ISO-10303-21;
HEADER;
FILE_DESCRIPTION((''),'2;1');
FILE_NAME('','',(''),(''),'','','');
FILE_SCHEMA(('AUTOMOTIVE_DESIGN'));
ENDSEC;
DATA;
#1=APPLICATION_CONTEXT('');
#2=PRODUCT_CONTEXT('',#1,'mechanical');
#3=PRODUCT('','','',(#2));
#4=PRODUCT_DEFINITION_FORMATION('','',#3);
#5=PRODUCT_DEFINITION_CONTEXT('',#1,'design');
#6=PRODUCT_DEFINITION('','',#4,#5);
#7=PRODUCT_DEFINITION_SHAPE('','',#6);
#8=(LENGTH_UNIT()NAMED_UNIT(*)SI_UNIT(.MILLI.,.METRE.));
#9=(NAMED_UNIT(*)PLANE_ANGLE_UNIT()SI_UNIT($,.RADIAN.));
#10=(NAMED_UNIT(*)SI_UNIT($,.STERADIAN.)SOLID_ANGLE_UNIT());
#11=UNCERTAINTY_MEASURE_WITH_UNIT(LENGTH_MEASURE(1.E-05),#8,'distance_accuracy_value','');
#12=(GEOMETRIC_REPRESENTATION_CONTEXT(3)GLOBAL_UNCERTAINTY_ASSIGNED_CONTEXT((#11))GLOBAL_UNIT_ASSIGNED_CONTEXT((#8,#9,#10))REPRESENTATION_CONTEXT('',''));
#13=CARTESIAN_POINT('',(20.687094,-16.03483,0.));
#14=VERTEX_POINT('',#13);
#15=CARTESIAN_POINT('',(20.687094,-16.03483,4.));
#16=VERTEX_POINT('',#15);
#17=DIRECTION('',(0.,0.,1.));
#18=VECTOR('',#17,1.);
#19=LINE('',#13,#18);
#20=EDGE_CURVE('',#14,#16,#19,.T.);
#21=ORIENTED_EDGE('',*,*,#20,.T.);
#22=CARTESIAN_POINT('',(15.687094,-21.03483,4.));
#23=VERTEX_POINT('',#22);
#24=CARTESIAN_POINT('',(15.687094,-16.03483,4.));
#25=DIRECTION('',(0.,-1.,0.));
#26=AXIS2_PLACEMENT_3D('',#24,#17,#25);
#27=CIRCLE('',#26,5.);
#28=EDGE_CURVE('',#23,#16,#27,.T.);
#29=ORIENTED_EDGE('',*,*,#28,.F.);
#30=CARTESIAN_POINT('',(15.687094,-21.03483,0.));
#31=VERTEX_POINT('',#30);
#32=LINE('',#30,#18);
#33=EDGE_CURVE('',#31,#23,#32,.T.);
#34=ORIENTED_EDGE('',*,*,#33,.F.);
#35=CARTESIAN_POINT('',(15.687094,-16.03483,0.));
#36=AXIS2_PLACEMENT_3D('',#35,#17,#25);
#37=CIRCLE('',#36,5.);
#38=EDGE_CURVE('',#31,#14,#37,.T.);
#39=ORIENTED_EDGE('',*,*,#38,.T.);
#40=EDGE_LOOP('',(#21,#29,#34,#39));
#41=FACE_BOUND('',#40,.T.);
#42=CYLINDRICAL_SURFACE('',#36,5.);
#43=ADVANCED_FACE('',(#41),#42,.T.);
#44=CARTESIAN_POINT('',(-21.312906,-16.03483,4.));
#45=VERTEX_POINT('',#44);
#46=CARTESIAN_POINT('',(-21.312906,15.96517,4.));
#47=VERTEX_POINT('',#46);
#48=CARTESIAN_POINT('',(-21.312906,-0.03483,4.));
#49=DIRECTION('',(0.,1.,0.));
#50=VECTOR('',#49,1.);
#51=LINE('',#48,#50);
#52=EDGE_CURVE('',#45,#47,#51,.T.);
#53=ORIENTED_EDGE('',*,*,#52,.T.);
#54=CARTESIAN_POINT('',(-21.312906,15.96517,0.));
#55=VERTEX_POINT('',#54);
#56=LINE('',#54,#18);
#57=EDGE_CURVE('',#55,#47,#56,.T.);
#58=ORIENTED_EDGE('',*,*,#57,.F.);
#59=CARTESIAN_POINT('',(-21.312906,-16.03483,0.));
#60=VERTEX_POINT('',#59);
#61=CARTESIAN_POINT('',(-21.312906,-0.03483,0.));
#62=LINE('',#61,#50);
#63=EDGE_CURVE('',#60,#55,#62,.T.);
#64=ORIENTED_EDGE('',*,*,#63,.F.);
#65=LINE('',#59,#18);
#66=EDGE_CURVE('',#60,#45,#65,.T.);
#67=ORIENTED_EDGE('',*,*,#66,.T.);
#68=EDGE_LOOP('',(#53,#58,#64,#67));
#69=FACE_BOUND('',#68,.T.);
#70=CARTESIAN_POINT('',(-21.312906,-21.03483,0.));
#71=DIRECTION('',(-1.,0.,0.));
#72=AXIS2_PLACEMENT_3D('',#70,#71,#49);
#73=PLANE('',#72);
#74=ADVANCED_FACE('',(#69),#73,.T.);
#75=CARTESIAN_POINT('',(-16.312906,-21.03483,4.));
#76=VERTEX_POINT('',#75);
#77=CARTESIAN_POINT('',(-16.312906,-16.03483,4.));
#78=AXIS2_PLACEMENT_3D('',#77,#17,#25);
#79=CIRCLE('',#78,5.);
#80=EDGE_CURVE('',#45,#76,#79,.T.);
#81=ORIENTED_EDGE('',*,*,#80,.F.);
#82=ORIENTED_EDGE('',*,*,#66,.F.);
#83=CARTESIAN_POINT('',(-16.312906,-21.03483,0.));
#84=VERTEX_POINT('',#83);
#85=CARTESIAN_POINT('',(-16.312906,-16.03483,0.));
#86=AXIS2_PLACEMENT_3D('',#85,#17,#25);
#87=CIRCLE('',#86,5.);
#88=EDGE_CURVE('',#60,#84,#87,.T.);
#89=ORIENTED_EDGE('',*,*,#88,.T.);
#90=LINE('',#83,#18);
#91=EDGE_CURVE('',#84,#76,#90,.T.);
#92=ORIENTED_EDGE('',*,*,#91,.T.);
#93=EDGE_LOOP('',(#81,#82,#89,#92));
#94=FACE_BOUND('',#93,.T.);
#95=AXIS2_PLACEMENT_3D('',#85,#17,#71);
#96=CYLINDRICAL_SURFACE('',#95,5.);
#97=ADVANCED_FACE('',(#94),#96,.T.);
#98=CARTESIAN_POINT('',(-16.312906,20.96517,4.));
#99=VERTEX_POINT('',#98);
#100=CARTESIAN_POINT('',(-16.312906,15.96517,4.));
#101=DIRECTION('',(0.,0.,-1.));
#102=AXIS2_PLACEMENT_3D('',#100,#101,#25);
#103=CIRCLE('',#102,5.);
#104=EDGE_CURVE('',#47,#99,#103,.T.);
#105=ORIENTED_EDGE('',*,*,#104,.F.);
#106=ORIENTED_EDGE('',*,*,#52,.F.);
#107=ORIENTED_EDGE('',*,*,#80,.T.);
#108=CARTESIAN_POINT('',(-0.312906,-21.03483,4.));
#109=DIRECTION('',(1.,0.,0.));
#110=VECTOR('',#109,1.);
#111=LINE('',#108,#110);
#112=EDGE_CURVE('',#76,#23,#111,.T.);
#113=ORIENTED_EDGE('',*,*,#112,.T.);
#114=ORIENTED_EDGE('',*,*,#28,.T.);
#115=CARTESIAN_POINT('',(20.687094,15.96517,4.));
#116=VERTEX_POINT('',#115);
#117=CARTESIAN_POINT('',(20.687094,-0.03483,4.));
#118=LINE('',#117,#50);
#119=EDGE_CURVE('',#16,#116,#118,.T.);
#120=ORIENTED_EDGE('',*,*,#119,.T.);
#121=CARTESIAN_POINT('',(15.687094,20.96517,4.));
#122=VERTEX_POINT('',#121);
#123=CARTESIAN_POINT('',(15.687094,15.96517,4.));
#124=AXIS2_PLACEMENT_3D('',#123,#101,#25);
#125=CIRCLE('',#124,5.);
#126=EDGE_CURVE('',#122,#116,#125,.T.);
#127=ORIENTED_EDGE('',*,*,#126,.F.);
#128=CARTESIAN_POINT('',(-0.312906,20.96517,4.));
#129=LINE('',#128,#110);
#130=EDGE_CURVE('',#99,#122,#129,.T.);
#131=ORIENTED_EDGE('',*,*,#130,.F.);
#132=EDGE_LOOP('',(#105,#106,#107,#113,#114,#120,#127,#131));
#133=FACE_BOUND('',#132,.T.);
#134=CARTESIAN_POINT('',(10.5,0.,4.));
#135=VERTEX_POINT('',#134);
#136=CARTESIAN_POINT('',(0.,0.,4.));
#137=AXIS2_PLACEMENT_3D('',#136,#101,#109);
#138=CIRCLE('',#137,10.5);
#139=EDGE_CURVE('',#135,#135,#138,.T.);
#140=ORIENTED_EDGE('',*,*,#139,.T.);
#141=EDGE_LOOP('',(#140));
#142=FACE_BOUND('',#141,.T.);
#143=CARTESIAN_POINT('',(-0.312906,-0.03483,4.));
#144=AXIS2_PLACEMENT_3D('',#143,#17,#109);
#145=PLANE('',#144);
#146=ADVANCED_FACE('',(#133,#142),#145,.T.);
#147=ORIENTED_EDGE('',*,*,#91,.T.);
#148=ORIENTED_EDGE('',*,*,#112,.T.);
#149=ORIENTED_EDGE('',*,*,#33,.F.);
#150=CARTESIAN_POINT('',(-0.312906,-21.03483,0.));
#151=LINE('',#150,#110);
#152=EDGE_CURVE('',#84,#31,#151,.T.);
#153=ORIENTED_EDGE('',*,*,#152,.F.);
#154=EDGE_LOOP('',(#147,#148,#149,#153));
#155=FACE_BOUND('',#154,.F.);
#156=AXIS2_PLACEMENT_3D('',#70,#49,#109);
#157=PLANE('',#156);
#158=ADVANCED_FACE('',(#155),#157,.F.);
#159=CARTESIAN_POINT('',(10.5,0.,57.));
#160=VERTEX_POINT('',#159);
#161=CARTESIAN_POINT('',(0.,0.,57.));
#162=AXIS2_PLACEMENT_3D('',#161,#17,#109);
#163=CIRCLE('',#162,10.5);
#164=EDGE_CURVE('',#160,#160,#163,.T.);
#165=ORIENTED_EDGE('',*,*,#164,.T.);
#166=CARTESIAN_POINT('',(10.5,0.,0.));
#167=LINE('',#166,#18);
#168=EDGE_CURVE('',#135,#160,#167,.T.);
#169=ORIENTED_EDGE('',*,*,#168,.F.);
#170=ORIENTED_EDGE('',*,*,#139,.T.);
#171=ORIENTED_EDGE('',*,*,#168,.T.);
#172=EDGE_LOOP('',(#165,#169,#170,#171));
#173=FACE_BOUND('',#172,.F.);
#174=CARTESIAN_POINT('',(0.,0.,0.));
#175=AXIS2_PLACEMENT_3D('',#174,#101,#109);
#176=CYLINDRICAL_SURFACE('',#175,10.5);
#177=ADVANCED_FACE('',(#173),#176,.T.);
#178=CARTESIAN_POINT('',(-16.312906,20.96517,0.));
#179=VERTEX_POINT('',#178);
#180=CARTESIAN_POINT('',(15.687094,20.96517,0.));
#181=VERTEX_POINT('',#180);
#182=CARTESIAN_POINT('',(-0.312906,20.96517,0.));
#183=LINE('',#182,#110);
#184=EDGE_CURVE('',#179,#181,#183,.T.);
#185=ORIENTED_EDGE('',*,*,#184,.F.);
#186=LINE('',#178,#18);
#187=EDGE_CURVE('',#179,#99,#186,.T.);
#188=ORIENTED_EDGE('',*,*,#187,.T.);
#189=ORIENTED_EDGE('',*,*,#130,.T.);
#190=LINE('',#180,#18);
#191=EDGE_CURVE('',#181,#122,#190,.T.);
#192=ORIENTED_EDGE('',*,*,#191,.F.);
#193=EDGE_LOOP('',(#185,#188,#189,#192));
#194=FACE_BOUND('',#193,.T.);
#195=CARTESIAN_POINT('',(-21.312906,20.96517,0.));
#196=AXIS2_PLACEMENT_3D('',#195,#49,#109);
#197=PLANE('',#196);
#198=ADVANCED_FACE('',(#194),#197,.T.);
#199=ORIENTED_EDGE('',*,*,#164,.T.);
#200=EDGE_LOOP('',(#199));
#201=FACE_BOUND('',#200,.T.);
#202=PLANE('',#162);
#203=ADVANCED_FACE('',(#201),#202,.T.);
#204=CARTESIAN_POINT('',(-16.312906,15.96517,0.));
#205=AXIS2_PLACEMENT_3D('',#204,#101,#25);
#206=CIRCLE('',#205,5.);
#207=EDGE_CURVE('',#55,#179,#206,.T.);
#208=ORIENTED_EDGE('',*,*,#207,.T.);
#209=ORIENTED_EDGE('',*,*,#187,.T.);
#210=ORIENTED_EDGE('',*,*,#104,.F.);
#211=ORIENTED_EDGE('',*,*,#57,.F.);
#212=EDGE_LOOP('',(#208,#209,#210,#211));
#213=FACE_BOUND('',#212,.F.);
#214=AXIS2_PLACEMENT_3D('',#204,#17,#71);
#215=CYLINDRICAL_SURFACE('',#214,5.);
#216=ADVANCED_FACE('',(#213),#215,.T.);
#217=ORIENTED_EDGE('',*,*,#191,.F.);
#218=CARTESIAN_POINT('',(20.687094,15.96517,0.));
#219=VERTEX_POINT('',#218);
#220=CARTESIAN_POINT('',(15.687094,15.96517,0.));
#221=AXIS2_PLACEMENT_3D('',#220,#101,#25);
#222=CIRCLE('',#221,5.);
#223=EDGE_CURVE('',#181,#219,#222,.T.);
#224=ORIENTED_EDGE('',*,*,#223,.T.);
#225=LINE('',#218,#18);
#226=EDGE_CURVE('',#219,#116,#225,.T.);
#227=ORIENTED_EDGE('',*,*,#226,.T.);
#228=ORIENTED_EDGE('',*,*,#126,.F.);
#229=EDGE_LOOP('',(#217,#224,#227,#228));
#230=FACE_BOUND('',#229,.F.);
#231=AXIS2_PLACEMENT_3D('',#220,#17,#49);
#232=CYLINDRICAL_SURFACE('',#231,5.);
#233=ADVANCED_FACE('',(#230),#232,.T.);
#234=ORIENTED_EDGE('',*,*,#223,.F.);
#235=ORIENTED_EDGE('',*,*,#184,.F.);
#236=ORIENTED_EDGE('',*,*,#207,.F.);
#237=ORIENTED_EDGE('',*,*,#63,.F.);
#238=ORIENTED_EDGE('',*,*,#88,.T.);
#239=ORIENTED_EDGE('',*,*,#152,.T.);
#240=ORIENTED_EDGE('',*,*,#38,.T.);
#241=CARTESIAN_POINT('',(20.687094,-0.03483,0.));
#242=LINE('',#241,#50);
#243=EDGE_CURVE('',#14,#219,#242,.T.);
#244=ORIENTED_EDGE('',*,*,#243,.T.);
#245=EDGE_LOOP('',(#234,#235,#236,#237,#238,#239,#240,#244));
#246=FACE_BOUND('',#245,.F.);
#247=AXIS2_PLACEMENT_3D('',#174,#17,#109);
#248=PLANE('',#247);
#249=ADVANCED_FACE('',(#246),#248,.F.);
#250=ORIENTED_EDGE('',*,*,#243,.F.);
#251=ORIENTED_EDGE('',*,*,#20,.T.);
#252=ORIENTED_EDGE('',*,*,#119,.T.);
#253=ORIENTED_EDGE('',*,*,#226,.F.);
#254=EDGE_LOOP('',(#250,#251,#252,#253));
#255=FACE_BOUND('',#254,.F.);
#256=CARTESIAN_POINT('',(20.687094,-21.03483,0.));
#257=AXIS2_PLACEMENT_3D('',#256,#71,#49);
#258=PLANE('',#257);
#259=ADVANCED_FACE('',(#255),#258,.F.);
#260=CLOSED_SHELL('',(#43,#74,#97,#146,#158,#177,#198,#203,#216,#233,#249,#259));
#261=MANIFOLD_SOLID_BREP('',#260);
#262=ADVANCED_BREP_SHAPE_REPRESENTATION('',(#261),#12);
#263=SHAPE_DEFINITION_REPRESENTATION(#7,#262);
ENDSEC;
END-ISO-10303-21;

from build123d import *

# Parameters (mm, degrees)
F0_W     = 42
F0_H     = 42
F0_R     = 10.5
F1_DEPTH = 4
F2_DEPTH = 57
F3_R     = 5


with BuildPart() as f1:
    # F0 (on Top) → F1 (new body)
    with BuildSketch(Plane.XY):
        with Locations((-0.312906, -0.03483)):
            Rectangle(F0_W, F0_H)
        Circle(F0_R, mode=Mode.SUBTRACT)
        Circle(F0_R)
    extrude(amount=F1_DEPTH)

    # F0 (on Top) → F2 (join)
    with BuildSketch(Plane.XY):
        Circle(F0_R)
    extrude(amount=F2_DEPTH)

    # F3
    f3_edges = [f1.edges().sort_by_distance(p)[0] for p in [
        (-21.312906, -21.03483, 2),
        (-21.312906, 20.96517, 2),
        (20.687094, -21.03483, 2),
        (20.687094, 20.96517, 2),
    ]]
    fillet(f3_edges, radius=F3_R)


solid = f1.part
